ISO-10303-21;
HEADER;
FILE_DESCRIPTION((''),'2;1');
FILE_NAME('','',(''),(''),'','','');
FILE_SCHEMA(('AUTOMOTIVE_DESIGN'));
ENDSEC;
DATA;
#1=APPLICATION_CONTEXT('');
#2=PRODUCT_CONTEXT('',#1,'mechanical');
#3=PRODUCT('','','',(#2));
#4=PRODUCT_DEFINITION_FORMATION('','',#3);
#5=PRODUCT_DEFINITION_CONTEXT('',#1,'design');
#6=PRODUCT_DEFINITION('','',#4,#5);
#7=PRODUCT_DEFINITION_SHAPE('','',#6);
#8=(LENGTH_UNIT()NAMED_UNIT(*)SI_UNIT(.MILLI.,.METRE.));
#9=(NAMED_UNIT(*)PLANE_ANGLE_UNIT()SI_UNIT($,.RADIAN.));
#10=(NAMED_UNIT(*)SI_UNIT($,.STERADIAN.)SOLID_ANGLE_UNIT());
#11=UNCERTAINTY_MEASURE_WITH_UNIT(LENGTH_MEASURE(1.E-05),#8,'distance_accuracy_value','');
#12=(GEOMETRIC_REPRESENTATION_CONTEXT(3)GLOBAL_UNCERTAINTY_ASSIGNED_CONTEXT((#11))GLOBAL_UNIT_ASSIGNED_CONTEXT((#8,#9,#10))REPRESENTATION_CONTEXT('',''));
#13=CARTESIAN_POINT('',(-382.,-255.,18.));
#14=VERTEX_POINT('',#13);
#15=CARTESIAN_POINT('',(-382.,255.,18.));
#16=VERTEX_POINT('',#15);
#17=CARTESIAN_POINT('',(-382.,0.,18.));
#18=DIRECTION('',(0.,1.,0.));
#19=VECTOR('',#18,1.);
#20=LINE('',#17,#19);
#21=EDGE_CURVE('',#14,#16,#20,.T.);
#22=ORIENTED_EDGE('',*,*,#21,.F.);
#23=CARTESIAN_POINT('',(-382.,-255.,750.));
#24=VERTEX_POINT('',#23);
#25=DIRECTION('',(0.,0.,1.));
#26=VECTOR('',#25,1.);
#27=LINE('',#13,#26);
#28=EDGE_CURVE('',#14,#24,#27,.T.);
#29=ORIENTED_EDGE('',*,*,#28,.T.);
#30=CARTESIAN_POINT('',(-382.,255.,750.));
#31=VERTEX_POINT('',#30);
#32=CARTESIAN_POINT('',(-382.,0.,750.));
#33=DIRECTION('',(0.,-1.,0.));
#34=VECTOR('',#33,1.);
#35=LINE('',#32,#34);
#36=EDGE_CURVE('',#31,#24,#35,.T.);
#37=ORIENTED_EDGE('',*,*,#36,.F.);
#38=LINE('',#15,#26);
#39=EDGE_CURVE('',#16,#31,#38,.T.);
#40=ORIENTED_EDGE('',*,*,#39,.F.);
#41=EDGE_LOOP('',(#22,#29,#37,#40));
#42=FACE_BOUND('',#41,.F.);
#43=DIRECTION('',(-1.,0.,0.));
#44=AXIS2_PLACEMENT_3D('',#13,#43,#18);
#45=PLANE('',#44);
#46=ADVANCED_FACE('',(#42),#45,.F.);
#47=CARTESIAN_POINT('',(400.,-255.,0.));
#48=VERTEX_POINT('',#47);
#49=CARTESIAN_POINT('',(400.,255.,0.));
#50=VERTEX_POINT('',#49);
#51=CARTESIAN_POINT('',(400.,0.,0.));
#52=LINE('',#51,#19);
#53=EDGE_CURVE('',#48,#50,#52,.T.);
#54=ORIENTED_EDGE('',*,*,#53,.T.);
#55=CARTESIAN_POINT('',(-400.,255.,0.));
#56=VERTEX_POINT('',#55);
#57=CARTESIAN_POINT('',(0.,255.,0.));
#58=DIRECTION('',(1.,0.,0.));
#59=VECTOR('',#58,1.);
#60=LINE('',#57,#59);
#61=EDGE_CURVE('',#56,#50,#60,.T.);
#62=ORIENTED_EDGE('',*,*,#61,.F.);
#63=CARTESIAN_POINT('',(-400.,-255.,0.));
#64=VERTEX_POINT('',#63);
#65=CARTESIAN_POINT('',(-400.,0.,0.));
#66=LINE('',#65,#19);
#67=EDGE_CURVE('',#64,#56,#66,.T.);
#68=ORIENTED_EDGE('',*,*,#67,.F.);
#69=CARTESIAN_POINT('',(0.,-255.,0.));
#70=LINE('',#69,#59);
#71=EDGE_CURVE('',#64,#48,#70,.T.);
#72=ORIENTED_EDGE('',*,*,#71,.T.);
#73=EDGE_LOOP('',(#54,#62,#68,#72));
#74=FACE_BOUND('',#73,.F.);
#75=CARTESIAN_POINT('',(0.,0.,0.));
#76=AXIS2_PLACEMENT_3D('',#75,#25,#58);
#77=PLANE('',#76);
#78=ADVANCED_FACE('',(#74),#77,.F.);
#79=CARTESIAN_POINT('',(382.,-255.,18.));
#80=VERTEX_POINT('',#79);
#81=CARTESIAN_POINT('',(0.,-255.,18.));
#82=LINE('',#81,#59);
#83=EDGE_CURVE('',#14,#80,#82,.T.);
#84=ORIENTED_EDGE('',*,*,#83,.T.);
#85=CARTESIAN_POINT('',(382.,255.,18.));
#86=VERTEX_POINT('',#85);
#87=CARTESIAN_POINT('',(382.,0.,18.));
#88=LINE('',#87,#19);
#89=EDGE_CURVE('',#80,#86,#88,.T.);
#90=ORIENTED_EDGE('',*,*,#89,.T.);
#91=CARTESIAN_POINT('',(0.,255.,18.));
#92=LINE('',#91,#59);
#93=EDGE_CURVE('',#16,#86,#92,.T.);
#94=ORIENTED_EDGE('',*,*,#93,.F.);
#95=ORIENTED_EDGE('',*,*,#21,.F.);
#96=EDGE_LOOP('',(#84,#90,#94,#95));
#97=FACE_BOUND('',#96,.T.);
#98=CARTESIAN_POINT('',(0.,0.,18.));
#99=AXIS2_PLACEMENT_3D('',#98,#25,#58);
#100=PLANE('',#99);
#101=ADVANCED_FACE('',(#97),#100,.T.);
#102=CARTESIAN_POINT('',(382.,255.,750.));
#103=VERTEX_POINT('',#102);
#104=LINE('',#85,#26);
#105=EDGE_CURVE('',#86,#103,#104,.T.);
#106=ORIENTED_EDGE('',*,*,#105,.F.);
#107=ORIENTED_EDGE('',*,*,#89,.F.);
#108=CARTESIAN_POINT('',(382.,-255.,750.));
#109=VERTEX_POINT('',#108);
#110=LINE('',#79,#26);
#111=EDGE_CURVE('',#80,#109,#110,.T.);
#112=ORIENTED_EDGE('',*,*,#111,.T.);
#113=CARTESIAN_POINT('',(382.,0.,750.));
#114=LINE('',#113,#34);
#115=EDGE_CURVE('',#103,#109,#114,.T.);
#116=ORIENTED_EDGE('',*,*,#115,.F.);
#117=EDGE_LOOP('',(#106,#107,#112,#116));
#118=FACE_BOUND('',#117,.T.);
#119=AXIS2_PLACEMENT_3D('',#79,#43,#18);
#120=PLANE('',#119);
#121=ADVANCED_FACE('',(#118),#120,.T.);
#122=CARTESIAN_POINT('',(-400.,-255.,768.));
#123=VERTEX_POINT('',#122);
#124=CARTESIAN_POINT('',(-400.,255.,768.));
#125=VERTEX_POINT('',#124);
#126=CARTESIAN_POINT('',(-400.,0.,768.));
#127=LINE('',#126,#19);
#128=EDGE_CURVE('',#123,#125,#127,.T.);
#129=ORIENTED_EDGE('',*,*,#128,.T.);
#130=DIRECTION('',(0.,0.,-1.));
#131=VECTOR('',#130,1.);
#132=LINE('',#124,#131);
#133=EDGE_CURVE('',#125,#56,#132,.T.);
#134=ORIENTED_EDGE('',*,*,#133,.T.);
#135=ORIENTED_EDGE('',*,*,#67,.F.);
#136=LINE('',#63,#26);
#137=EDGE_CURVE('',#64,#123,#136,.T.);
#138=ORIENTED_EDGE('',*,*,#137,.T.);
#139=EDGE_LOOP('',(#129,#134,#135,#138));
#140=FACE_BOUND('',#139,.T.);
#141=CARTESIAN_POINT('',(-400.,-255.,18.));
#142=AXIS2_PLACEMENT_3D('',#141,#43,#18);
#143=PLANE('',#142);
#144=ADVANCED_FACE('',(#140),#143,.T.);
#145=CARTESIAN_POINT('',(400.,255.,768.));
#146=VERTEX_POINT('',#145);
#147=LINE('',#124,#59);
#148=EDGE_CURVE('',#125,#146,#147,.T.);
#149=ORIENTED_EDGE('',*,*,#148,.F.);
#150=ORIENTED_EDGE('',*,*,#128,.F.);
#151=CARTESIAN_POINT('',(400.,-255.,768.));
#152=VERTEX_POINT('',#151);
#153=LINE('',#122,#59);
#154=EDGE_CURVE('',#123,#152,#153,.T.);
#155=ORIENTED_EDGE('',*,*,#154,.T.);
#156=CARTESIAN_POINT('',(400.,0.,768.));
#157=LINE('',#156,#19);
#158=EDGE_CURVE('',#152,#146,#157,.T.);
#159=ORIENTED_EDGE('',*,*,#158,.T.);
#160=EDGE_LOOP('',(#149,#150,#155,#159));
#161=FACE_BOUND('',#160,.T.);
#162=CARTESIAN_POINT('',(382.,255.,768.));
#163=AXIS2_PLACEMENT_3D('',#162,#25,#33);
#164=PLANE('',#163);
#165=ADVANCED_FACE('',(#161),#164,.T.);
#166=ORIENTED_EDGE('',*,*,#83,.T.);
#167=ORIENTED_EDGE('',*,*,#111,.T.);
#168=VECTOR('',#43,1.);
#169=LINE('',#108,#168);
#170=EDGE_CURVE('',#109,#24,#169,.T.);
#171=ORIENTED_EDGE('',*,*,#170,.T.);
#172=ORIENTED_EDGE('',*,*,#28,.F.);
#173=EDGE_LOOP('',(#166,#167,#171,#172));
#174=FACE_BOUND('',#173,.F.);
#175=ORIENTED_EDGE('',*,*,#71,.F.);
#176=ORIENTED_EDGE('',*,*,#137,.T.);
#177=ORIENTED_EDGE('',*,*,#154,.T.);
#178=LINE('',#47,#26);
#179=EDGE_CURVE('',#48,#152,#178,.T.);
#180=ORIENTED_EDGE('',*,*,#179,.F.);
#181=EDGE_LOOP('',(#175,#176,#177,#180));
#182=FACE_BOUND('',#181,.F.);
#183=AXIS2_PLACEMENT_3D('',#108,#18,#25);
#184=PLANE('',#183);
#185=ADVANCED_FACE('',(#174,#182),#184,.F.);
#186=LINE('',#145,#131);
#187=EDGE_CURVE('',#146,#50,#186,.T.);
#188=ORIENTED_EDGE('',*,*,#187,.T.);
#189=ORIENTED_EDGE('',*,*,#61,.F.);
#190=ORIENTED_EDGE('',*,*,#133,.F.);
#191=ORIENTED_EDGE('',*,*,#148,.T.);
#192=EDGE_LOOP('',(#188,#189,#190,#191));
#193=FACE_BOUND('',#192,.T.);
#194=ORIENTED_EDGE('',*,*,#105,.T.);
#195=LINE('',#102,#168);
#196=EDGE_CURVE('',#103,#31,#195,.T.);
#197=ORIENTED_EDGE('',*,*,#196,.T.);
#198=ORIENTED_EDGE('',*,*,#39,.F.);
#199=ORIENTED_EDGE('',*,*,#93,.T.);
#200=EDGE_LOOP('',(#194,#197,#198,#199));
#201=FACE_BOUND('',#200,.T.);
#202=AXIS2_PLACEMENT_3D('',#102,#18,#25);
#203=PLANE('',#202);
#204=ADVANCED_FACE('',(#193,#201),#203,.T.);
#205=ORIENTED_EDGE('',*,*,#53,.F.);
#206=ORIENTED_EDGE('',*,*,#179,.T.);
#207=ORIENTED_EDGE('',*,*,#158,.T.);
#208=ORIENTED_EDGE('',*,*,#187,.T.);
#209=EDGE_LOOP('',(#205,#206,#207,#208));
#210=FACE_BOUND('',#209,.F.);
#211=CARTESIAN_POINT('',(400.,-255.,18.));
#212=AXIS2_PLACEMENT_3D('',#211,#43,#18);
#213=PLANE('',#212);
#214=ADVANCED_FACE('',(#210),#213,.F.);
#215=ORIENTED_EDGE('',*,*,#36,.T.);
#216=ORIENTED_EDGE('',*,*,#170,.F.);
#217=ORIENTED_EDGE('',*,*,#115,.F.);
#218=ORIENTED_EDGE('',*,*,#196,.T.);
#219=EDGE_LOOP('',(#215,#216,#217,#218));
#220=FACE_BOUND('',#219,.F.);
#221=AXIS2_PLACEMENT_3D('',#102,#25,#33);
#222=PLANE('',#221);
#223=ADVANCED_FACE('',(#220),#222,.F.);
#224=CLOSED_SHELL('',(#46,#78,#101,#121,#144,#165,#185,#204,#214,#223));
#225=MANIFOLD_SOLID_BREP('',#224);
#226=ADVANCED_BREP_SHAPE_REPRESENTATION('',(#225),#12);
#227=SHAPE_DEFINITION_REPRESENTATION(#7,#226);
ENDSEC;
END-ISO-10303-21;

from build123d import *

# Parameters (mm, degrees)
F0_W     = 800
F0_H     = 510
F1_DEPTH = 18
F2_W     = 18
F2_H     = 510
F3_DEPTH = 750
F4_W     = 18
F4_H     = 510
F5_DEPTH = 750
F6_W     = 510
F6_H     = 18
F7_DEPTH = 764


with BuildPart() as f1:
    # F0 (on Top) → F1 (new body)
    with BuildSketch(Plane.XY):
        Rectangle(F0_W, F0_H)
    extrude(amount=F1_DEPTH)

    # F2 (on face) → F3 (join)
    with BuildSketch(Plane.XY.offset(18)):
        with Locations((-391, 0)):
            Rectangle(F2_W, F2_H)
    extrude(amount=F3_DEPTH)

    # F4 (on face) → F5 (join)
    with BuildSketch(Plane.XY.offset(18)):
        with Locations((391, 0)):
            Rectangle(F4_W, F4_H)
    extrude(amount=F5_DEPTH)

    # F6 (on face) → F7 (join)
    with BuildSketch(Plane(origin=(382, 0, 0), x_dir=(0, -1, 0), z_dir=(-1, 0, 0))):
        with Locations((0, 759)):
            Rectangle(F6_W, F6_H)
    extrude(amount=F7_DEPTH)


solid = f1.part
